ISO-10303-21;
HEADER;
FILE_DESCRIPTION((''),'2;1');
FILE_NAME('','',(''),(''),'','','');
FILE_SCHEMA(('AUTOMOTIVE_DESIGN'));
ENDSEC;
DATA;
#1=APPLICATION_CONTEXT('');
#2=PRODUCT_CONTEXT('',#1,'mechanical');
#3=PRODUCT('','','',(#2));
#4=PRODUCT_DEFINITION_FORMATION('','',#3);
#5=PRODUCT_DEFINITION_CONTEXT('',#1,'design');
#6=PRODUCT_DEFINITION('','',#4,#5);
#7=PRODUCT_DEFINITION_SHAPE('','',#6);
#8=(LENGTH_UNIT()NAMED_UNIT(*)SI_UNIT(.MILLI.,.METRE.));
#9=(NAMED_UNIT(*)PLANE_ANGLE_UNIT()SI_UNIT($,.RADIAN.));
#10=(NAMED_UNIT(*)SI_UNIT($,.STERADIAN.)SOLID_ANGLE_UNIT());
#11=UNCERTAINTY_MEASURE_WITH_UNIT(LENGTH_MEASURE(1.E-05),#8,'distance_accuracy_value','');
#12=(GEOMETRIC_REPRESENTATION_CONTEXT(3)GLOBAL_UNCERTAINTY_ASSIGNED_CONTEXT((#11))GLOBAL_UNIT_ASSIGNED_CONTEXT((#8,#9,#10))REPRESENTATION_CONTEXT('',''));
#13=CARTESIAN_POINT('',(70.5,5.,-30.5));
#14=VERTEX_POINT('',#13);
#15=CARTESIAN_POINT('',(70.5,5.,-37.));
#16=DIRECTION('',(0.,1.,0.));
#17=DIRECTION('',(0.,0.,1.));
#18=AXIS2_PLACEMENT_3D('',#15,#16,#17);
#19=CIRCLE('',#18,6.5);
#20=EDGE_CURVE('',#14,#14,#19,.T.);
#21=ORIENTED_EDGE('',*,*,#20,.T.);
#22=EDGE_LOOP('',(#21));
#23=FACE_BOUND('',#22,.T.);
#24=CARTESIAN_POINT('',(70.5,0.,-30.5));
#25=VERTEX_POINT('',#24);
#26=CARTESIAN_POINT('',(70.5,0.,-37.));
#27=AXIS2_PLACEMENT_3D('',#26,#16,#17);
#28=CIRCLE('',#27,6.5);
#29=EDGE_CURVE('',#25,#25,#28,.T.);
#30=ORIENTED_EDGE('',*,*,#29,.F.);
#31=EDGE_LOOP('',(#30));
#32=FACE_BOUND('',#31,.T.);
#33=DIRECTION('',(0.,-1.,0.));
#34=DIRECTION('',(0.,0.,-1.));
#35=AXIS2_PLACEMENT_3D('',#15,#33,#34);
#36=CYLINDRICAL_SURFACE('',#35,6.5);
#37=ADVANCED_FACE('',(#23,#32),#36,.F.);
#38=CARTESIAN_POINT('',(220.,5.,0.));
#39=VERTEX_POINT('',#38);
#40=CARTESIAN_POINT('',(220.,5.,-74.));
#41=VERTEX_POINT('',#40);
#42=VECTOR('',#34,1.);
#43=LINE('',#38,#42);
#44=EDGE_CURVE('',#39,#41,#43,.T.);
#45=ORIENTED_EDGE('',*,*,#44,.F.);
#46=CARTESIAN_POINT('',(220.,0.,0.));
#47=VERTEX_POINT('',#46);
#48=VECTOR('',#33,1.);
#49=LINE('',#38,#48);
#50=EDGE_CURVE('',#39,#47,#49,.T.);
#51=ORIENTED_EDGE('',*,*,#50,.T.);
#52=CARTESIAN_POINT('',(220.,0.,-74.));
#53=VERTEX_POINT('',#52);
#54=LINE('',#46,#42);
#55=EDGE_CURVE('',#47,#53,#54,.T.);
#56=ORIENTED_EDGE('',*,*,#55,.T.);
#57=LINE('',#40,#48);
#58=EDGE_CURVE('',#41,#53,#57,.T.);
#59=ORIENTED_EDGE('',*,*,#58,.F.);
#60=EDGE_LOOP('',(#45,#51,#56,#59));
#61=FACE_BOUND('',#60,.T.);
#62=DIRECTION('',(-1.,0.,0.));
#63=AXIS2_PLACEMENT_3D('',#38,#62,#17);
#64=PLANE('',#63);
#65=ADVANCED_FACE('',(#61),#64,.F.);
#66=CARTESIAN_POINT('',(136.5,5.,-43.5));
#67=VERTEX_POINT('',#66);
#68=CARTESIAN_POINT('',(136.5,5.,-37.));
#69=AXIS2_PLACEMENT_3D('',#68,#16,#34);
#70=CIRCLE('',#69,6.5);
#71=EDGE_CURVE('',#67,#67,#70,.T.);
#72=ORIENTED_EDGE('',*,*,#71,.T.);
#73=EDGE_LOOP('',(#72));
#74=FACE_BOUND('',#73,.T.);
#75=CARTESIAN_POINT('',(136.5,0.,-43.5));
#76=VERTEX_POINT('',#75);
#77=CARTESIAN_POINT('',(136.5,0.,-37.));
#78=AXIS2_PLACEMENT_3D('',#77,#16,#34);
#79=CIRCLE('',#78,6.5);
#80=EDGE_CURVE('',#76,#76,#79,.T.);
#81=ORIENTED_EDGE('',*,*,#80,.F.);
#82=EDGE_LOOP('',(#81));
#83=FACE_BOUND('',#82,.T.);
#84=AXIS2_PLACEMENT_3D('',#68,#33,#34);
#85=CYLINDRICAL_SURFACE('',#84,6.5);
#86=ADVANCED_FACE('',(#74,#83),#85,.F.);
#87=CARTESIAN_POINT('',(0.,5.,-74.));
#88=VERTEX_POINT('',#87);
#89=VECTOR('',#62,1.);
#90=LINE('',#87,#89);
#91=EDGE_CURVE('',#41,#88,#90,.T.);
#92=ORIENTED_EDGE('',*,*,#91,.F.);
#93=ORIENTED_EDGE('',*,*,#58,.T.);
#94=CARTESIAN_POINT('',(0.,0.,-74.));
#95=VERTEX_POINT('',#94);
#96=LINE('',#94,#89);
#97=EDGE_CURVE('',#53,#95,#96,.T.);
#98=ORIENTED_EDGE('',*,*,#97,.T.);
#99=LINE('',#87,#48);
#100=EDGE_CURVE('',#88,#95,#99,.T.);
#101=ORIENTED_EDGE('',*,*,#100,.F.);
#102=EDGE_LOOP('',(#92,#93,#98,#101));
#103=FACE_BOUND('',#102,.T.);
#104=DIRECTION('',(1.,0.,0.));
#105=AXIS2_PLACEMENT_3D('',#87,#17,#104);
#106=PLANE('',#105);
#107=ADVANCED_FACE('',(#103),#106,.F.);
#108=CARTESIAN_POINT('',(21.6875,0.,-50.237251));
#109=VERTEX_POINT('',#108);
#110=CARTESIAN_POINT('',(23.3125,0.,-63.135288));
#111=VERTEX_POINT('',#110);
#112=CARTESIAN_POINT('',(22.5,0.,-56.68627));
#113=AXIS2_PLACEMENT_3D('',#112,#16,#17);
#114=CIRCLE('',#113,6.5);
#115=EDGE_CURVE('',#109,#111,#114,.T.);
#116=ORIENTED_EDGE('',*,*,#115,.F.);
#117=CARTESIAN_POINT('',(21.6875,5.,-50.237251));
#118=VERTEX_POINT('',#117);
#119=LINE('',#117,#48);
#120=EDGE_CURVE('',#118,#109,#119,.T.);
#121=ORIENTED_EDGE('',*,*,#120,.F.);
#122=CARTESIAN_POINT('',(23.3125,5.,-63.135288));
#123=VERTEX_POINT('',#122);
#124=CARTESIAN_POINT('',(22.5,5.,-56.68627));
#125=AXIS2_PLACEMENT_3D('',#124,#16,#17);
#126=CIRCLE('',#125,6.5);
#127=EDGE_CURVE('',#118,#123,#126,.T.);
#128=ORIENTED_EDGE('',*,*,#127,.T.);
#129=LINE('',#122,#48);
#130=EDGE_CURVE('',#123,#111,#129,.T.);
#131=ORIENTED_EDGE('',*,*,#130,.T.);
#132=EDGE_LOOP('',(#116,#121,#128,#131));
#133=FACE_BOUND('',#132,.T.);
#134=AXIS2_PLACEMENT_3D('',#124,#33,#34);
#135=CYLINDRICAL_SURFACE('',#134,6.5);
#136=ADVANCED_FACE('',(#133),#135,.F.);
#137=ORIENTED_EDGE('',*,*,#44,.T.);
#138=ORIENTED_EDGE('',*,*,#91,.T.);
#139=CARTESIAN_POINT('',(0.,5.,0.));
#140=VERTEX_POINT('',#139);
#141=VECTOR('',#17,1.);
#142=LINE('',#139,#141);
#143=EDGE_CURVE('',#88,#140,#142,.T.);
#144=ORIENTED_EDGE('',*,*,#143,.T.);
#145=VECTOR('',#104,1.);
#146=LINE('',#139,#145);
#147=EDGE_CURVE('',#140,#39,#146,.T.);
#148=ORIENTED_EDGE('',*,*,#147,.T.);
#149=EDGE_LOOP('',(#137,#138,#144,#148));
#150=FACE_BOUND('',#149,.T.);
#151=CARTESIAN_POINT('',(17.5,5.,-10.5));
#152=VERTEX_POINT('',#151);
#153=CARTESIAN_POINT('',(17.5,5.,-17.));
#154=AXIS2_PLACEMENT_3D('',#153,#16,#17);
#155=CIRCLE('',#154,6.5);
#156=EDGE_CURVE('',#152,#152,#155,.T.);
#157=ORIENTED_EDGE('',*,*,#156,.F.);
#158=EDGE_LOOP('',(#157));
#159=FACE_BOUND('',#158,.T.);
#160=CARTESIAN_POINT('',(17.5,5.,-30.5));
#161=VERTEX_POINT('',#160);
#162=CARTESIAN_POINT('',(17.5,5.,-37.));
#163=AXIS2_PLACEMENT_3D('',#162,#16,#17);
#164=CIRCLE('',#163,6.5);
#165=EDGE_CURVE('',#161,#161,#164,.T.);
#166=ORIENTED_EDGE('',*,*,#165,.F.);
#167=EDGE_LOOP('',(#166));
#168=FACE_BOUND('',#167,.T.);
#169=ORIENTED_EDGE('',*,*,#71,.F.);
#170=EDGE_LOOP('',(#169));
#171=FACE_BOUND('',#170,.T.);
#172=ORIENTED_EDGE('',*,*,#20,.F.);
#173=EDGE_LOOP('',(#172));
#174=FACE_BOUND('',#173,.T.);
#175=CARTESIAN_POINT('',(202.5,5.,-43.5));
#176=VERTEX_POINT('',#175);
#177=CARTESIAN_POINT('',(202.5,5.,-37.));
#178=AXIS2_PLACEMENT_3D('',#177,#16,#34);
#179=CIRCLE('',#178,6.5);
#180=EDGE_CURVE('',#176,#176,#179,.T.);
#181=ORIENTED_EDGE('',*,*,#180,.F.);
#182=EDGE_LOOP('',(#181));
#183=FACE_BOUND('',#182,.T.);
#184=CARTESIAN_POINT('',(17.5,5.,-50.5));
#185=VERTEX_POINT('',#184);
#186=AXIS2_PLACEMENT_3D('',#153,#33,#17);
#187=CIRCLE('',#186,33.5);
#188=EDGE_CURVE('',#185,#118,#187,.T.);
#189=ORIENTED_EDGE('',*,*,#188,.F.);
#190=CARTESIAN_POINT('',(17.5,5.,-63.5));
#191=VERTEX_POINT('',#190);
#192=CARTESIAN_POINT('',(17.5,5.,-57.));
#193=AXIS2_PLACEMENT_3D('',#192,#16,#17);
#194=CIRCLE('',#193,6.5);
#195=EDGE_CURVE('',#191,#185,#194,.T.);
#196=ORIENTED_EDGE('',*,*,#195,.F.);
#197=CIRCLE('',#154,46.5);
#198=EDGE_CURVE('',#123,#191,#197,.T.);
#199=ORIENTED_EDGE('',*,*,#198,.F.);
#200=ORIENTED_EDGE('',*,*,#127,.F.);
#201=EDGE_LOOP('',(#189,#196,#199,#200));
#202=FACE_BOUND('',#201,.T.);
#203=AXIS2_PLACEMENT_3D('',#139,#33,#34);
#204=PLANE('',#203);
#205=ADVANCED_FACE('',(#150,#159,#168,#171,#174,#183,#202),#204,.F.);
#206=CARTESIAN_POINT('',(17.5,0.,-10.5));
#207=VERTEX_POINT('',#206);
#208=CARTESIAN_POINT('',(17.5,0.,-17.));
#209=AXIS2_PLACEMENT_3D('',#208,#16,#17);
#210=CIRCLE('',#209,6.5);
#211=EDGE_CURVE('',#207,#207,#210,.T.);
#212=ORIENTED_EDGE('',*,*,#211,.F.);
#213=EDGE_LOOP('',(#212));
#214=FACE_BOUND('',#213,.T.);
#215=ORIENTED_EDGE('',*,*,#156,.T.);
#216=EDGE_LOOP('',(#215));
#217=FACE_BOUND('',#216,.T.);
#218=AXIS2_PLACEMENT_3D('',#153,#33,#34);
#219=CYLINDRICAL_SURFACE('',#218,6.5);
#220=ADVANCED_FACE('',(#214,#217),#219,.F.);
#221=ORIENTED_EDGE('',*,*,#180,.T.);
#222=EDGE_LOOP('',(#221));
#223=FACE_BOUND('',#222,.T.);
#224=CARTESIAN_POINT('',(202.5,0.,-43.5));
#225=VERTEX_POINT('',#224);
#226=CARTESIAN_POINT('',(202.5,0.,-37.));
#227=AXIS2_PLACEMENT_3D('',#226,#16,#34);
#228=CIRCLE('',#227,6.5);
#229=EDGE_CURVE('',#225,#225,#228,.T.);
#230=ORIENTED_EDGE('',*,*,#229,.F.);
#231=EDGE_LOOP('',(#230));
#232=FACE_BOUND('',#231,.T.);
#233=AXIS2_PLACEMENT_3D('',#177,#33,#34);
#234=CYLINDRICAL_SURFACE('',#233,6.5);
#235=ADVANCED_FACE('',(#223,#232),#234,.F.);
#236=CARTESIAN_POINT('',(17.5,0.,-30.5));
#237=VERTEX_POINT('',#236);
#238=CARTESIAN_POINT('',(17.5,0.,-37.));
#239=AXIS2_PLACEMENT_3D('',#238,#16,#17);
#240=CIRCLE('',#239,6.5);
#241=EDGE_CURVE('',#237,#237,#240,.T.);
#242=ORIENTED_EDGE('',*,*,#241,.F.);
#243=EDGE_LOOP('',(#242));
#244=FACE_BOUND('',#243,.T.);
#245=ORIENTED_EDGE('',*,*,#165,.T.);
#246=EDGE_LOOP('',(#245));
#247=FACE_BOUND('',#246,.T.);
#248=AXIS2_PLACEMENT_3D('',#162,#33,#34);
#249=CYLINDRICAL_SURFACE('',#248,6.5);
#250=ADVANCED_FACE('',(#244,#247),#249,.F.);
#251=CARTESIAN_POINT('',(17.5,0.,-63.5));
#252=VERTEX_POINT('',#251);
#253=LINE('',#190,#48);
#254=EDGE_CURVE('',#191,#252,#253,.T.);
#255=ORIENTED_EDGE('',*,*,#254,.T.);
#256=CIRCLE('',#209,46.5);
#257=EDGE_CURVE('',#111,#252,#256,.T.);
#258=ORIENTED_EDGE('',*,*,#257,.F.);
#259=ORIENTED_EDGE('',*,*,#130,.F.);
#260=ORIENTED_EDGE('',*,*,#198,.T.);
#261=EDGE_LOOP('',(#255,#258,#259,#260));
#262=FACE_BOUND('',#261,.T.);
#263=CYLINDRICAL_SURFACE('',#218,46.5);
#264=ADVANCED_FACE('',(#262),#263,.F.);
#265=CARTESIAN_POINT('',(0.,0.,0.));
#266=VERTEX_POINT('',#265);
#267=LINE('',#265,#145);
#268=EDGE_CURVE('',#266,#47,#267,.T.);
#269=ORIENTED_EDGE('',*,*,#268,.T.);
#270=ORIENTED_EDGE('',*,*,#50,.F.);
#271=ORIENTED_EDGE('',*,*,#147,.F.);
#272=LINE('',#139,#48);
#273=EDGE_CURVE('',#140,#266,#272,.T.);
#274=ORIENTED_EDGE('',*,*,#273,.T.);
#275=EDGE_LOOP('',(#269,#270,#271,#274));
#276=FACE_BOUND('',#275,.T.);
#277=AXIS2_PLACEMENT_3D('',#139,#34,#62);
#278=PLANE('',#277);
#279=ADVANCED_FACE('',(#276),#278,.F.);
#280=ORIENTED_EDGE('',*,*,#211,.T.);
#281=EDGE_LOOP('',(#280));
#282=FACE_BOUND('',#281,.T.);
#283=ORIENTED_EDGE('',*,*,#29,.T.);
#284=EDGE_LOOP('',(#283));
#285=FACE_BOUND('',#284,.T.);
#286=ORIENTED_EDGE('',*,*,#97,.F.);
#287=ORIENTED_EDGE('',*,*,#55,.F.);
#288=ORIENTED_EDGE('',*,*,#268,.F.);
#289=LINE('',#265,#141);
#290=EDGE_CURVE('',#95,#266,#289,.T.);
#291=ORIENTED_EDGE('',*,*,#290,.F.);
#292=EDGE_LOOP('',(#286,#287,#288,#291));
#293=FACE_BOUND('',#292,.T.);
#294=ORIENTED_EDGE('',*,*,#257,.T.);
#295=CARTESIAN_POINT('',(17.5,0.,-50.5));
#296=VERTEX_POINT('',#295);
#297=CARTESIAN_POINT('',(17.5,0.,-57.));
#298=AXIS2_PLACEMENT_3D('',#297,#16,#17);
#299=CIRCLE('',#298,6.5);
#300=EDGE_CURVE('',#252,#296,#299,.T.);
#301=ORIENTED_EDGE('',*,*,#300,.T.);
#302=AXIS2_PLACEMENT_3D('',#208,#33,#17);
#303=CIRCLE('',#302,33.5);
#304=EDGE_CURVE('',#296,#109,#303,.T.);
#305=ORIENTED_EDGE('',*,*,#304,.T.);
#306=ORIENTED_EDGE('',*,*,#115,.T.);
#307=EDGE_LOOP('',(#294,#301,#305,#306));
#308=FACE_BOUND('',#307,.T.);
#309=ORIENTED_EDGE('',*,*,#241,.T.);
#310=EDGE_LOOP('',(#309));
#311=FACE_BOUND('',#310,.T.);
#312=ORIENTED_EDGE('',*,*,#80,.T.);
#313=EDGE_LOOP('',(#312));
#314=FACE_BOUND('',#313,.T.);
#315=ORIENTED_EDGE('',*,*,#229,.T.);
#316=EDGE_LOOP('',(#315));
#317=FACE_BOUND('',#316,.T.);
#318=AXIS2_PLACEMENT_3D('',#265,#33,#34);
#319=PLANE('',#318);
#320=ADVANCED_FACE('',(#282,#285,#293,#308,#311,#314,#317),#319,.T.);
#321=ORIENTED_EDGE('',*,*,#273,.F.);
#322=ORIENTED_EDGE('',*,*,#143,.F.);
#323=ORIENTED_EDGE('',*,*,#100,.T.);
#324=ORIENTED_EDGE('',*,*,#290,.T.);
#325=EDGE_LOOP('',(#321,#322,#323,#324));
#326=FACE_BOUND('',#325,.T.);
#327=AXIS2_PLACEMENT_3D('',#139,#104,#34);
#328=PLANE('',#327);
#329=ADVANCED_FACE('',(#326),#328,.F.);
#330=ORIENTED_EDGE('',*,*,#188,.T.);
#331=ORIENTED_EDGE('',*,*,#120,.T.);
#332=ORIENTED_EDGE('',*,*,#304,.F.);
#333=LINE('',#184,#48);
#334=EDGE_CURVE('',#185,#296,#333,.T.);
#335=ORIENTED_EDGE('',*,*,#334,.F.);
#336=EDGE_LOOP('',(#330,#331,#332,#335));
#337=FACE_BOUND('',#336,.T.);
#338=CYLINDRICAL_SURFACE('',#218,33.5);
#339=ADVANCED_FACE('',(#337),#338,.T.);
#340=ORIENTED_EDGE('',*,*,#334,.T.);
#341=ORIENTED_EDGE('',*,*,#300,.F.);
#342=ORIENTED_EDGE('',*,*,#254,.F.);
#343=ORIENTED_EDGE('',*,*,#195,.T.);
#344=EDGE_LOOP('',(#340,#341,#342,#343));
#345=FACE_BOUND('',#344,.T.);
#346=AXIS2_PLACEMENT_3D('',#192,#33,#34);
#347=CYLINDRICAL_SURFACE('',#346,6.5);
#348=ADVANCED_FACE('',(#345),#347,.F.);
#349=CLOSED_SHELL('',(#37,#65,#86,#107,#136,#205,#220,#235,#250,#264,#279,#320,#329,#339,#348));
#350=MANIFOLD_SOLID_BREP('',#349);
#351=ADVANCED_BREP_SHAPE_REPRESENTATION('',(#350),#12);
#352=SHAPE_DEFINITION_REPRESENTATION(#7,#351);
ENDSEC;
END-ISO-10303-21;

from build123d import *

# Parameters (mm, degrees)
SZKIC1_W                    = 220
SZKIC1_H                    = 74
SZKIC1_R                    = 6.5
DODANIE_WYCI_GNI_CIE1_DEPTH = 5


with BuildPart() as part:
    # Szkic1 → Dodanie-wyciągnięcie1 (new body)
    with BuildSketch(Plane(origin=(0, 0, 0), x_dir=(1, 0, 0), z_dir=(0, 1, 0))):
        with Locations((110, 37)):
            Rectangle(SZKIC1_W, SZKIC1_H)
        with Locations(Location((17.5, 37, 0), (0, 0, 270))):
            Circle(SZKIC1_R, mode=Mode.SUBTRACT)
        with Locations(Location((70.5, 37, 0), (0, 0, 270))):
            Circle(SZKIC1_R, mode=Mode.SUBTRACT)
        with Locations(Location((202.5, 37, 0), (0, 0, 90))):
            Circle(SZKIC1_R, mode=Mode.SUBTRACT)
        with Locations(Location((136.5, 37, 0), (0, 0, 90))):
            Circle(SZKIC1_R, mode=Mode.SUBTRACT)
        with Locations(Location((17.5, 17, 0), (0, 0, 270))):
            Circle(SZKIC1_R, mode=Mode.SUBTRACT)
        with BuildLine():
            ThreePointArc((17.5, 63.5), (11, 57), (17.5, 50.5))
            ThreePointArc((17.5, 50.5), (19.59786757, 50.434248184), (21.6875, 50.237250845))
            ThreePointArc((21.6875, 50.237250845), (28.949018821, 55.873769666), (23.3125, 63.135288487))
            ThreePointArc((23.3125, 63.135288487), (20.411965433, 63.408732555), (17.5, 63.5))
        make_face(mode=Mode.SUBTRACT)
    extrude(amount=DODANIE_WYCI_GNI_CIE1_DEPTH)


solid = part.part
